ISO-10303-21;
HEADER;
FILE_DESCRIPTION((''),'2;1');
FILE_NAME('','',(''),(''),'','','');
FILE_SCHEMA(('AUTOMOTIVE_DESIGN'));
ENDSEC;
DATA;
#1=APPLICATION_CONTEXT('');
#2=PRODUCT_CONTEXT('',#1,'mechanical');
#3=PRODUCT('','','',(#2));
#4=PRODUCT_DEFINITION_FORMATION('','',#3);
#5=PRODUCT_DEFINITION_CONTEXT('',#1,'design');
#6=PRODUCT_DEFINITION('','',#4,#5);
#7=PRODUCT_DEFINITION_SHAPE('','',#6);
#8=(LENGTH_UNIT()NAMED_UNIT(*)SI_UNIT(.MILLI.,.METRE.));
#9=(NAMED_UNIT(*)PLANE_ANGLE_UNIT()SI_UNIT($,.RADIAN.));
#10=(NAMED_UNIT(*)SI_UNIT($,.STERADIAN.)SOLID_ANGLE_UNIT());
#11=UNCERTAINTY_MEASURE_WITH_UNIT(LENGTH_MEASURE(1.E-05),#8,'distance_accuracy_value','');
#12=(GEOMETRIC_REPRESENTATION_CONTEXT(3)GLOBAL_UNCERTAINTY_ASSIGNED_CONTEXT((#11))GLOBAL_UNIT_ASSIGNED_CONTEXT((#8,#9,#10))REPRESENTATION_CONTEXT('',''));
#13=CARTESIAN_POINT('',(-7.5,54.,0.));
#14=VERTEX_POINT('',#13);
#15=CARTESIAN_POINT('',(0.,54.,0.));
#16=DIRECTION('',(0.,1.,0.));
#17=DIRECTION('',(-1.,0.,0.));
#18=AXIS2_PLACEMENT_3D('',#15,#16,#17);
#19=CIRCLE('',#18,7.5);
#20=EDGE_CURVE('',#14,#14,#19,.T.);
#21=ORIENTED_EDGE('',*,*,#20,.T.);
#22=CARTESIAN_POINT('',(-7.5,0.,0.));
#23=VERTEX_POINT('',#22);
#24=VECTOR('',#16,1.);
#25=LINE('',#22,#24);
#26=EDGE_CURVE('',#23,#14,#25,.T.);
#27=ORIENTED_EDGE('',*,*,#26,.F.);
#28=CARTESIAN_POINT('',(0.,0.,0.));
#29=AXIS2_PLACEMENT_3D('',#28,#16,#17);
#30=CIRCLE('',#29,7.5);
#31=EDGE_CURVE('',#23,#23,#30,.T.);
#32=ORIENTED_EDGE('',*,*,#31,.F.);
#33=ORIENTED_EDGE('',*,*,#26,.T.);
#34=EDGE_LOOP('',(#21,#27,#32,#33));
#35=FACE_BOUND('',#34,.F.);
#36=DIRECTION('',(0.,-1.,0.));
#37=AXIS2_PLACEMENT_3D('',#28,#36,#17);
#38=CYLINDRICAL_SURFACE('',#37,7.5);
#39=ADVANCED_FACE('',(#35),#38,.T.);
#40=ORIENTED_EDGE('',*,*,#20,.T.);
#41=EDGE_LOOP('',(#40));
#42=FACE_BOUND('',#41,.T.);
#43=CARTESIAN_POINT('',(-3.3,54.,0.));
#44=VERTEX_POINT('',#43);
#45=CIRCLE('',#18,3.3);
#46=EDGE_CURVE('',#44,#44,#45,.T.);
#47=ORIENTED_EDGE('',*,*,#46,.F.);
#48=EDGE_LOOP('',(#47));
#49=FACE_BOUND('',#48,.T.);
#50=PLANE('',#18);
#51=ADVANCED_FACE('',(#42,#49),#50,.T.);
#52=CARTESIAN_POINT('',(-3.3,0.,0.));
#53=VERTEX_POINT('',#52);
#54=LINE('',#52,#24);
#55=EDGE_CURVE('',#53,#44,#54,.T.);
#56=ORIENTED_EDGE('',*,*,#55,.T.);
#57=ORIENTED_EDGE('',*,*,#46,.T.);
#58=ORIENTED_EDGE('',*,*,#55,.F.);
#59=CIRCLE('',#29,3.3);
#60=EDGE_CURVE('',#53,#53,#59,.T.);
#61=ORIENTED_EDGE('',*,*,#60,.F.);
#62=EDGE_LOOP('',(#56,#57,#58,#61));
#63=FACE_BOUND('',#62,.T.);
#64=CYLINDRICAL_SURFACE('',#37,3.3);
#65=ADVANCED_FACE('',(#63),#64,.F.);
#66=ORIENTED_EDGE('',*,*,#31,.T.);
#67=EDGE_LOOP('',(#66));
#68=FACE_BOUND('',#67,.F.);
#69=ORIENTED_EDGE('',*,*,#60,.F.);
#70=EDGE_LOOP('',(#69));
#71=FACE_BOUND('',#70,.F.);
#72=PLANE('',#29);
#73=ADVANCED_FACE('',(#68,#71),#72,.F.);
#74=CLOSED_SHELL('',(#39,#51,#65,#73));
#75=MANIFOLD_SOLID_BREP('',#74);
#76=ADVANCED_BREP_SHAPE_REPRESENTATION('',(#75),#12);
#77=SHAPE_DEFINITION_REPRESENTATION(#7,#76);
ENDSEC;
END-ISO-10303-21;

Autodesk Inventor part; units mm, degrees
ref_plane "YZ Plane" through (0, 0, 0) normal (1, 0, 0) x (0, 1, 0)
ref_plane "XZ Plane" through (0, 0, 0) normal (0, 1, 0) x (-1, 0, 0)
ref_plane "XY Plane" through (0, 0, 0) normal (0, 0, 1) x (1, 0, 0)
sketch "スケッチ1" plane through (0, 0, 0) normal (0, 1, 0) x (-1, 0, 0)
  circle A0 centre (0, 0) radius 3.3
  circle A1 centre (0, 0) radius 7.5
  dimension "d0" = 6.6
  dimension "d1" = 15
extrude "押し出し1" add sketch "スケッチ1" along normal blind 54
properties part number "shoulder2_lower_plate_bolt_spcaer"
